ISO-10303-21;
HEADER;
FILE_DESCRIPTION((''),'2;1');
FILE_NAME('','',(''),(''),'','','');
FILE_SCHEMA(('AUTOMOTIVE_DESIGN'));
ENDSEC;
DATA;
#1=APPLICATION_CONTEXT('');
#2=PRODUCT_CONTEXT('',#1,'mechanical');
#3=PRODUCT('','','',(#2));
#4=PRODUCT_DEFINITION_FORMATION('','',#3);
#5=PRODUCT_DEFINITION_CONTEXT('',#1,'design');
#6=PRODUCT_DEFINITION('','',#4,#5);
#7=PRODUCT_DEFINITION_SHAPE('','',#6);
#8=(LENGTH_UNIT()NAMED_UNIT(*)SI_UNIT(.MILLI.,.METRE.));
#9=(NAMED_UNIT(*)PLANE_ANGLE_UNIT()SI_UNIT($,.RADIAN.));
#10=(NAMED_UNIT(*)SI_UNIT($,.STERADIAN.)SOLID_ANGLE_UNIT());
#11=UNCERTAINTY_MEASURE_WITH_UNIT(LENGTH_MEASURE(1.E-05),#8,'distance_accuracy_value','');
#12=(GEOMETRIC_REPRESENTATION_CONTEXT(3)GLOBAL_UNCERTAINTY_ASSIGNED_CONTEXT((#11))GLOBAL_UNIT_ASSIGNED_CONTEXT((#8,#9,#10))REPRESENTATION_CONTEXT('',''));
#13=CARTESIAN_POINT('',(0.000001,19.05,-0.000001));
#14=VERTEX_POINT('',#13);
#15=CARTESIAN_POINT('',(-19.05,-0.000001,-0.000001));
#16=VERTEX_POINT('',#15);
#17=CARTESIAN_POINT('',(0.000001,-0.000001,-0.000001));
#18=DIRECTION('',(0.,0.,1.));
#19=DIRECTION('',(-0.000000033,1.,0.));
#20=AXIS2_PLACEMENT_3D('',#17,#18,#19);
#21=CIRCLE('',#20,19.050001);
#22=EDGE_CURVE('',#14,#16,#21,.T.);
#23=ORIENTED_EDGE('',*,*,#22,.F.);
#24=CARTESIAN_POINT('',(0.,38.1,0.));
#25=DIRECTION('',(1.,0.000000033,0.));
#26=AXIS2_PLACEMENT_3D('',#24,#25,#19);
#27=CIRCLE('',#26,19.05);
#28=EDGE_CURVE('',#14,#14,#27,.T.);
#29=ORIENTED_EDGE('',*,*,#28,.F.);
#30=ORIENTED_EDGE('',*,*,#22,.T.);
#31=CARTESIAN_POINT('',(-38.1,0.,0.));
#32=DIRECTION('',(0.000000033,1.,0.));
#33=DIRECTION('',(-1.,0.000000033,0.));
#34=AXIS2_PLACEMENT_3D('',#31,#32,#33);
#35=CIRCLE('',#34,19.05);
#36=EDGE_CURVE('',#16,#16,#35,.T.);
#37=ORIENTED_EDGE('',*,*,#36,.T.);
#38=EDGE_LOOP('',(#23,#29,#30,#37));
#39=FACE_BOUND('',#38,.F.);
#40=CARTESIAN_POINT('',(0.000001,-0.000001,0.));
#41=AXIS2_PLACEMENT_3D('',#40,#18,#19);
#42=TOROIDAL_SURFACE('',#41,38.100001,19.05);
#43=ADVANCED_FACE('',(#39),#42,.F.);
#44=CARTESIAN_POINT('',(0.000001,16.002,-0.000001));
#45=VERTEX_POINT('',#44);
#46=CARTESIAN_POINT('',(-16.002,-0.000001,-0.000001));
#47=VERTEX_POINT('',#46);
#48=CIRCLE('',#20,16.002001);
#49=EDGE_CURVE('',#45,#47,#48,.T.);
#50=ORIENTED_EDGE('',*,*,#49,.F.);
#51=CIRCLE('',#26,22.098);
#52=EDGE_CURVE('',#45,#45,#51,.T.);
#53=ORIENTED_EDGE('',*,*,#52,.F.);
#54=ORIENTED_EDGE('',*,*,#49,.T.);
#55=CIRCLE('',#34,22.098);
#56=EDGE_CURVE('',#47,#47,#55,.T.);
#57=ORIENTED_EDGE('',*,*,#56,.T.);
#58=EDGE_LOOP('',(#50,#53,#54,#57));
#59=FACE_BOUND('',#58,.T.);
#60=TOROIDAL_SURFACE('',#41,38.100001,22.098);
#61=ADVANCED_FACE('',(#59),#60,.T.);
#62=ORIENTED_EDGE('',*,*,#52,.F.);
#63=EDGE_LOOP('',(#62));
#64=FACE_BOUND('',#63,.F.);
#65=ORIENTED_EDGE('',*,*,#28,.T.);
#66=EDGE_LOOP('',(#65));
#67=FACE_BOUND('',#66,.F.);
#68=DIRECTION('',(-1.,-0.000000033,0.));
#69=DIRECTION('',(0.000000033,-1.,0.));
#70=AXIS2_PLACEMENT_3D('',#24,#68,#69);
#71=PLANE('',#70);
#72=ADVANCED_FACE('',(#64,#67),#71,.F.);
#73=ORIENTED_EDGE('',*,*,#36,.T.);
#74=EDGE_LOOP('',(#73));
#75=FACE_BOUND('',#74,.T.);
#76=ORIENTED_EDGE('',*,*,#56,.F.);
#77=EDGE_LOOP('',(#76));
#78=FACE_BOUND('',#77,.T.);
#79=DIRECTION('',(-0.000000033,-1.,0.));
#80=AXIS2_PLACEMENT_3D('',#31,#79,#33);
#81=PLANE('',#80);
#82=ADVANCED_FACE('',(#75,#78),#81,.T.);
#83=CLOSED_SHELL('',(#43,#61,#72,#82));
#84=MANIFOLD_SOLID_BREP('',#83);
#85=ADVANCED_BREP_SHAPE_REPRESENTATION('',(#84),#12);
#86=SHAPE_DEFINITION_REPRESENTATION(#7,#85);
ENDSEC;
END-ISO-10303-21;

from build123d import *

# Parameters (mm, degrees)
F1_R   = 22.098
F1_R_2 = 19.05


with BuildPart() as f2:
    # F2: sweep along a path in F0
    with BuildLine(Plane.XY) as f2_path:
        ThreePointArc((0, 38.1), (-26.940768, 26.940768), (-38.1, 0))
    # F1 (on Front) → F2 (sweep)
    with BuildSketch(Plane.XZ):
        with Locations((-38.1, 0)):
            Circle(F1_R)
        with Locations((-38.1, 0)):
            Circle(F1_R_2, mode=Mode.SUBTRACT)
    sweep(path=f2_path.line)


solid = f2.part
